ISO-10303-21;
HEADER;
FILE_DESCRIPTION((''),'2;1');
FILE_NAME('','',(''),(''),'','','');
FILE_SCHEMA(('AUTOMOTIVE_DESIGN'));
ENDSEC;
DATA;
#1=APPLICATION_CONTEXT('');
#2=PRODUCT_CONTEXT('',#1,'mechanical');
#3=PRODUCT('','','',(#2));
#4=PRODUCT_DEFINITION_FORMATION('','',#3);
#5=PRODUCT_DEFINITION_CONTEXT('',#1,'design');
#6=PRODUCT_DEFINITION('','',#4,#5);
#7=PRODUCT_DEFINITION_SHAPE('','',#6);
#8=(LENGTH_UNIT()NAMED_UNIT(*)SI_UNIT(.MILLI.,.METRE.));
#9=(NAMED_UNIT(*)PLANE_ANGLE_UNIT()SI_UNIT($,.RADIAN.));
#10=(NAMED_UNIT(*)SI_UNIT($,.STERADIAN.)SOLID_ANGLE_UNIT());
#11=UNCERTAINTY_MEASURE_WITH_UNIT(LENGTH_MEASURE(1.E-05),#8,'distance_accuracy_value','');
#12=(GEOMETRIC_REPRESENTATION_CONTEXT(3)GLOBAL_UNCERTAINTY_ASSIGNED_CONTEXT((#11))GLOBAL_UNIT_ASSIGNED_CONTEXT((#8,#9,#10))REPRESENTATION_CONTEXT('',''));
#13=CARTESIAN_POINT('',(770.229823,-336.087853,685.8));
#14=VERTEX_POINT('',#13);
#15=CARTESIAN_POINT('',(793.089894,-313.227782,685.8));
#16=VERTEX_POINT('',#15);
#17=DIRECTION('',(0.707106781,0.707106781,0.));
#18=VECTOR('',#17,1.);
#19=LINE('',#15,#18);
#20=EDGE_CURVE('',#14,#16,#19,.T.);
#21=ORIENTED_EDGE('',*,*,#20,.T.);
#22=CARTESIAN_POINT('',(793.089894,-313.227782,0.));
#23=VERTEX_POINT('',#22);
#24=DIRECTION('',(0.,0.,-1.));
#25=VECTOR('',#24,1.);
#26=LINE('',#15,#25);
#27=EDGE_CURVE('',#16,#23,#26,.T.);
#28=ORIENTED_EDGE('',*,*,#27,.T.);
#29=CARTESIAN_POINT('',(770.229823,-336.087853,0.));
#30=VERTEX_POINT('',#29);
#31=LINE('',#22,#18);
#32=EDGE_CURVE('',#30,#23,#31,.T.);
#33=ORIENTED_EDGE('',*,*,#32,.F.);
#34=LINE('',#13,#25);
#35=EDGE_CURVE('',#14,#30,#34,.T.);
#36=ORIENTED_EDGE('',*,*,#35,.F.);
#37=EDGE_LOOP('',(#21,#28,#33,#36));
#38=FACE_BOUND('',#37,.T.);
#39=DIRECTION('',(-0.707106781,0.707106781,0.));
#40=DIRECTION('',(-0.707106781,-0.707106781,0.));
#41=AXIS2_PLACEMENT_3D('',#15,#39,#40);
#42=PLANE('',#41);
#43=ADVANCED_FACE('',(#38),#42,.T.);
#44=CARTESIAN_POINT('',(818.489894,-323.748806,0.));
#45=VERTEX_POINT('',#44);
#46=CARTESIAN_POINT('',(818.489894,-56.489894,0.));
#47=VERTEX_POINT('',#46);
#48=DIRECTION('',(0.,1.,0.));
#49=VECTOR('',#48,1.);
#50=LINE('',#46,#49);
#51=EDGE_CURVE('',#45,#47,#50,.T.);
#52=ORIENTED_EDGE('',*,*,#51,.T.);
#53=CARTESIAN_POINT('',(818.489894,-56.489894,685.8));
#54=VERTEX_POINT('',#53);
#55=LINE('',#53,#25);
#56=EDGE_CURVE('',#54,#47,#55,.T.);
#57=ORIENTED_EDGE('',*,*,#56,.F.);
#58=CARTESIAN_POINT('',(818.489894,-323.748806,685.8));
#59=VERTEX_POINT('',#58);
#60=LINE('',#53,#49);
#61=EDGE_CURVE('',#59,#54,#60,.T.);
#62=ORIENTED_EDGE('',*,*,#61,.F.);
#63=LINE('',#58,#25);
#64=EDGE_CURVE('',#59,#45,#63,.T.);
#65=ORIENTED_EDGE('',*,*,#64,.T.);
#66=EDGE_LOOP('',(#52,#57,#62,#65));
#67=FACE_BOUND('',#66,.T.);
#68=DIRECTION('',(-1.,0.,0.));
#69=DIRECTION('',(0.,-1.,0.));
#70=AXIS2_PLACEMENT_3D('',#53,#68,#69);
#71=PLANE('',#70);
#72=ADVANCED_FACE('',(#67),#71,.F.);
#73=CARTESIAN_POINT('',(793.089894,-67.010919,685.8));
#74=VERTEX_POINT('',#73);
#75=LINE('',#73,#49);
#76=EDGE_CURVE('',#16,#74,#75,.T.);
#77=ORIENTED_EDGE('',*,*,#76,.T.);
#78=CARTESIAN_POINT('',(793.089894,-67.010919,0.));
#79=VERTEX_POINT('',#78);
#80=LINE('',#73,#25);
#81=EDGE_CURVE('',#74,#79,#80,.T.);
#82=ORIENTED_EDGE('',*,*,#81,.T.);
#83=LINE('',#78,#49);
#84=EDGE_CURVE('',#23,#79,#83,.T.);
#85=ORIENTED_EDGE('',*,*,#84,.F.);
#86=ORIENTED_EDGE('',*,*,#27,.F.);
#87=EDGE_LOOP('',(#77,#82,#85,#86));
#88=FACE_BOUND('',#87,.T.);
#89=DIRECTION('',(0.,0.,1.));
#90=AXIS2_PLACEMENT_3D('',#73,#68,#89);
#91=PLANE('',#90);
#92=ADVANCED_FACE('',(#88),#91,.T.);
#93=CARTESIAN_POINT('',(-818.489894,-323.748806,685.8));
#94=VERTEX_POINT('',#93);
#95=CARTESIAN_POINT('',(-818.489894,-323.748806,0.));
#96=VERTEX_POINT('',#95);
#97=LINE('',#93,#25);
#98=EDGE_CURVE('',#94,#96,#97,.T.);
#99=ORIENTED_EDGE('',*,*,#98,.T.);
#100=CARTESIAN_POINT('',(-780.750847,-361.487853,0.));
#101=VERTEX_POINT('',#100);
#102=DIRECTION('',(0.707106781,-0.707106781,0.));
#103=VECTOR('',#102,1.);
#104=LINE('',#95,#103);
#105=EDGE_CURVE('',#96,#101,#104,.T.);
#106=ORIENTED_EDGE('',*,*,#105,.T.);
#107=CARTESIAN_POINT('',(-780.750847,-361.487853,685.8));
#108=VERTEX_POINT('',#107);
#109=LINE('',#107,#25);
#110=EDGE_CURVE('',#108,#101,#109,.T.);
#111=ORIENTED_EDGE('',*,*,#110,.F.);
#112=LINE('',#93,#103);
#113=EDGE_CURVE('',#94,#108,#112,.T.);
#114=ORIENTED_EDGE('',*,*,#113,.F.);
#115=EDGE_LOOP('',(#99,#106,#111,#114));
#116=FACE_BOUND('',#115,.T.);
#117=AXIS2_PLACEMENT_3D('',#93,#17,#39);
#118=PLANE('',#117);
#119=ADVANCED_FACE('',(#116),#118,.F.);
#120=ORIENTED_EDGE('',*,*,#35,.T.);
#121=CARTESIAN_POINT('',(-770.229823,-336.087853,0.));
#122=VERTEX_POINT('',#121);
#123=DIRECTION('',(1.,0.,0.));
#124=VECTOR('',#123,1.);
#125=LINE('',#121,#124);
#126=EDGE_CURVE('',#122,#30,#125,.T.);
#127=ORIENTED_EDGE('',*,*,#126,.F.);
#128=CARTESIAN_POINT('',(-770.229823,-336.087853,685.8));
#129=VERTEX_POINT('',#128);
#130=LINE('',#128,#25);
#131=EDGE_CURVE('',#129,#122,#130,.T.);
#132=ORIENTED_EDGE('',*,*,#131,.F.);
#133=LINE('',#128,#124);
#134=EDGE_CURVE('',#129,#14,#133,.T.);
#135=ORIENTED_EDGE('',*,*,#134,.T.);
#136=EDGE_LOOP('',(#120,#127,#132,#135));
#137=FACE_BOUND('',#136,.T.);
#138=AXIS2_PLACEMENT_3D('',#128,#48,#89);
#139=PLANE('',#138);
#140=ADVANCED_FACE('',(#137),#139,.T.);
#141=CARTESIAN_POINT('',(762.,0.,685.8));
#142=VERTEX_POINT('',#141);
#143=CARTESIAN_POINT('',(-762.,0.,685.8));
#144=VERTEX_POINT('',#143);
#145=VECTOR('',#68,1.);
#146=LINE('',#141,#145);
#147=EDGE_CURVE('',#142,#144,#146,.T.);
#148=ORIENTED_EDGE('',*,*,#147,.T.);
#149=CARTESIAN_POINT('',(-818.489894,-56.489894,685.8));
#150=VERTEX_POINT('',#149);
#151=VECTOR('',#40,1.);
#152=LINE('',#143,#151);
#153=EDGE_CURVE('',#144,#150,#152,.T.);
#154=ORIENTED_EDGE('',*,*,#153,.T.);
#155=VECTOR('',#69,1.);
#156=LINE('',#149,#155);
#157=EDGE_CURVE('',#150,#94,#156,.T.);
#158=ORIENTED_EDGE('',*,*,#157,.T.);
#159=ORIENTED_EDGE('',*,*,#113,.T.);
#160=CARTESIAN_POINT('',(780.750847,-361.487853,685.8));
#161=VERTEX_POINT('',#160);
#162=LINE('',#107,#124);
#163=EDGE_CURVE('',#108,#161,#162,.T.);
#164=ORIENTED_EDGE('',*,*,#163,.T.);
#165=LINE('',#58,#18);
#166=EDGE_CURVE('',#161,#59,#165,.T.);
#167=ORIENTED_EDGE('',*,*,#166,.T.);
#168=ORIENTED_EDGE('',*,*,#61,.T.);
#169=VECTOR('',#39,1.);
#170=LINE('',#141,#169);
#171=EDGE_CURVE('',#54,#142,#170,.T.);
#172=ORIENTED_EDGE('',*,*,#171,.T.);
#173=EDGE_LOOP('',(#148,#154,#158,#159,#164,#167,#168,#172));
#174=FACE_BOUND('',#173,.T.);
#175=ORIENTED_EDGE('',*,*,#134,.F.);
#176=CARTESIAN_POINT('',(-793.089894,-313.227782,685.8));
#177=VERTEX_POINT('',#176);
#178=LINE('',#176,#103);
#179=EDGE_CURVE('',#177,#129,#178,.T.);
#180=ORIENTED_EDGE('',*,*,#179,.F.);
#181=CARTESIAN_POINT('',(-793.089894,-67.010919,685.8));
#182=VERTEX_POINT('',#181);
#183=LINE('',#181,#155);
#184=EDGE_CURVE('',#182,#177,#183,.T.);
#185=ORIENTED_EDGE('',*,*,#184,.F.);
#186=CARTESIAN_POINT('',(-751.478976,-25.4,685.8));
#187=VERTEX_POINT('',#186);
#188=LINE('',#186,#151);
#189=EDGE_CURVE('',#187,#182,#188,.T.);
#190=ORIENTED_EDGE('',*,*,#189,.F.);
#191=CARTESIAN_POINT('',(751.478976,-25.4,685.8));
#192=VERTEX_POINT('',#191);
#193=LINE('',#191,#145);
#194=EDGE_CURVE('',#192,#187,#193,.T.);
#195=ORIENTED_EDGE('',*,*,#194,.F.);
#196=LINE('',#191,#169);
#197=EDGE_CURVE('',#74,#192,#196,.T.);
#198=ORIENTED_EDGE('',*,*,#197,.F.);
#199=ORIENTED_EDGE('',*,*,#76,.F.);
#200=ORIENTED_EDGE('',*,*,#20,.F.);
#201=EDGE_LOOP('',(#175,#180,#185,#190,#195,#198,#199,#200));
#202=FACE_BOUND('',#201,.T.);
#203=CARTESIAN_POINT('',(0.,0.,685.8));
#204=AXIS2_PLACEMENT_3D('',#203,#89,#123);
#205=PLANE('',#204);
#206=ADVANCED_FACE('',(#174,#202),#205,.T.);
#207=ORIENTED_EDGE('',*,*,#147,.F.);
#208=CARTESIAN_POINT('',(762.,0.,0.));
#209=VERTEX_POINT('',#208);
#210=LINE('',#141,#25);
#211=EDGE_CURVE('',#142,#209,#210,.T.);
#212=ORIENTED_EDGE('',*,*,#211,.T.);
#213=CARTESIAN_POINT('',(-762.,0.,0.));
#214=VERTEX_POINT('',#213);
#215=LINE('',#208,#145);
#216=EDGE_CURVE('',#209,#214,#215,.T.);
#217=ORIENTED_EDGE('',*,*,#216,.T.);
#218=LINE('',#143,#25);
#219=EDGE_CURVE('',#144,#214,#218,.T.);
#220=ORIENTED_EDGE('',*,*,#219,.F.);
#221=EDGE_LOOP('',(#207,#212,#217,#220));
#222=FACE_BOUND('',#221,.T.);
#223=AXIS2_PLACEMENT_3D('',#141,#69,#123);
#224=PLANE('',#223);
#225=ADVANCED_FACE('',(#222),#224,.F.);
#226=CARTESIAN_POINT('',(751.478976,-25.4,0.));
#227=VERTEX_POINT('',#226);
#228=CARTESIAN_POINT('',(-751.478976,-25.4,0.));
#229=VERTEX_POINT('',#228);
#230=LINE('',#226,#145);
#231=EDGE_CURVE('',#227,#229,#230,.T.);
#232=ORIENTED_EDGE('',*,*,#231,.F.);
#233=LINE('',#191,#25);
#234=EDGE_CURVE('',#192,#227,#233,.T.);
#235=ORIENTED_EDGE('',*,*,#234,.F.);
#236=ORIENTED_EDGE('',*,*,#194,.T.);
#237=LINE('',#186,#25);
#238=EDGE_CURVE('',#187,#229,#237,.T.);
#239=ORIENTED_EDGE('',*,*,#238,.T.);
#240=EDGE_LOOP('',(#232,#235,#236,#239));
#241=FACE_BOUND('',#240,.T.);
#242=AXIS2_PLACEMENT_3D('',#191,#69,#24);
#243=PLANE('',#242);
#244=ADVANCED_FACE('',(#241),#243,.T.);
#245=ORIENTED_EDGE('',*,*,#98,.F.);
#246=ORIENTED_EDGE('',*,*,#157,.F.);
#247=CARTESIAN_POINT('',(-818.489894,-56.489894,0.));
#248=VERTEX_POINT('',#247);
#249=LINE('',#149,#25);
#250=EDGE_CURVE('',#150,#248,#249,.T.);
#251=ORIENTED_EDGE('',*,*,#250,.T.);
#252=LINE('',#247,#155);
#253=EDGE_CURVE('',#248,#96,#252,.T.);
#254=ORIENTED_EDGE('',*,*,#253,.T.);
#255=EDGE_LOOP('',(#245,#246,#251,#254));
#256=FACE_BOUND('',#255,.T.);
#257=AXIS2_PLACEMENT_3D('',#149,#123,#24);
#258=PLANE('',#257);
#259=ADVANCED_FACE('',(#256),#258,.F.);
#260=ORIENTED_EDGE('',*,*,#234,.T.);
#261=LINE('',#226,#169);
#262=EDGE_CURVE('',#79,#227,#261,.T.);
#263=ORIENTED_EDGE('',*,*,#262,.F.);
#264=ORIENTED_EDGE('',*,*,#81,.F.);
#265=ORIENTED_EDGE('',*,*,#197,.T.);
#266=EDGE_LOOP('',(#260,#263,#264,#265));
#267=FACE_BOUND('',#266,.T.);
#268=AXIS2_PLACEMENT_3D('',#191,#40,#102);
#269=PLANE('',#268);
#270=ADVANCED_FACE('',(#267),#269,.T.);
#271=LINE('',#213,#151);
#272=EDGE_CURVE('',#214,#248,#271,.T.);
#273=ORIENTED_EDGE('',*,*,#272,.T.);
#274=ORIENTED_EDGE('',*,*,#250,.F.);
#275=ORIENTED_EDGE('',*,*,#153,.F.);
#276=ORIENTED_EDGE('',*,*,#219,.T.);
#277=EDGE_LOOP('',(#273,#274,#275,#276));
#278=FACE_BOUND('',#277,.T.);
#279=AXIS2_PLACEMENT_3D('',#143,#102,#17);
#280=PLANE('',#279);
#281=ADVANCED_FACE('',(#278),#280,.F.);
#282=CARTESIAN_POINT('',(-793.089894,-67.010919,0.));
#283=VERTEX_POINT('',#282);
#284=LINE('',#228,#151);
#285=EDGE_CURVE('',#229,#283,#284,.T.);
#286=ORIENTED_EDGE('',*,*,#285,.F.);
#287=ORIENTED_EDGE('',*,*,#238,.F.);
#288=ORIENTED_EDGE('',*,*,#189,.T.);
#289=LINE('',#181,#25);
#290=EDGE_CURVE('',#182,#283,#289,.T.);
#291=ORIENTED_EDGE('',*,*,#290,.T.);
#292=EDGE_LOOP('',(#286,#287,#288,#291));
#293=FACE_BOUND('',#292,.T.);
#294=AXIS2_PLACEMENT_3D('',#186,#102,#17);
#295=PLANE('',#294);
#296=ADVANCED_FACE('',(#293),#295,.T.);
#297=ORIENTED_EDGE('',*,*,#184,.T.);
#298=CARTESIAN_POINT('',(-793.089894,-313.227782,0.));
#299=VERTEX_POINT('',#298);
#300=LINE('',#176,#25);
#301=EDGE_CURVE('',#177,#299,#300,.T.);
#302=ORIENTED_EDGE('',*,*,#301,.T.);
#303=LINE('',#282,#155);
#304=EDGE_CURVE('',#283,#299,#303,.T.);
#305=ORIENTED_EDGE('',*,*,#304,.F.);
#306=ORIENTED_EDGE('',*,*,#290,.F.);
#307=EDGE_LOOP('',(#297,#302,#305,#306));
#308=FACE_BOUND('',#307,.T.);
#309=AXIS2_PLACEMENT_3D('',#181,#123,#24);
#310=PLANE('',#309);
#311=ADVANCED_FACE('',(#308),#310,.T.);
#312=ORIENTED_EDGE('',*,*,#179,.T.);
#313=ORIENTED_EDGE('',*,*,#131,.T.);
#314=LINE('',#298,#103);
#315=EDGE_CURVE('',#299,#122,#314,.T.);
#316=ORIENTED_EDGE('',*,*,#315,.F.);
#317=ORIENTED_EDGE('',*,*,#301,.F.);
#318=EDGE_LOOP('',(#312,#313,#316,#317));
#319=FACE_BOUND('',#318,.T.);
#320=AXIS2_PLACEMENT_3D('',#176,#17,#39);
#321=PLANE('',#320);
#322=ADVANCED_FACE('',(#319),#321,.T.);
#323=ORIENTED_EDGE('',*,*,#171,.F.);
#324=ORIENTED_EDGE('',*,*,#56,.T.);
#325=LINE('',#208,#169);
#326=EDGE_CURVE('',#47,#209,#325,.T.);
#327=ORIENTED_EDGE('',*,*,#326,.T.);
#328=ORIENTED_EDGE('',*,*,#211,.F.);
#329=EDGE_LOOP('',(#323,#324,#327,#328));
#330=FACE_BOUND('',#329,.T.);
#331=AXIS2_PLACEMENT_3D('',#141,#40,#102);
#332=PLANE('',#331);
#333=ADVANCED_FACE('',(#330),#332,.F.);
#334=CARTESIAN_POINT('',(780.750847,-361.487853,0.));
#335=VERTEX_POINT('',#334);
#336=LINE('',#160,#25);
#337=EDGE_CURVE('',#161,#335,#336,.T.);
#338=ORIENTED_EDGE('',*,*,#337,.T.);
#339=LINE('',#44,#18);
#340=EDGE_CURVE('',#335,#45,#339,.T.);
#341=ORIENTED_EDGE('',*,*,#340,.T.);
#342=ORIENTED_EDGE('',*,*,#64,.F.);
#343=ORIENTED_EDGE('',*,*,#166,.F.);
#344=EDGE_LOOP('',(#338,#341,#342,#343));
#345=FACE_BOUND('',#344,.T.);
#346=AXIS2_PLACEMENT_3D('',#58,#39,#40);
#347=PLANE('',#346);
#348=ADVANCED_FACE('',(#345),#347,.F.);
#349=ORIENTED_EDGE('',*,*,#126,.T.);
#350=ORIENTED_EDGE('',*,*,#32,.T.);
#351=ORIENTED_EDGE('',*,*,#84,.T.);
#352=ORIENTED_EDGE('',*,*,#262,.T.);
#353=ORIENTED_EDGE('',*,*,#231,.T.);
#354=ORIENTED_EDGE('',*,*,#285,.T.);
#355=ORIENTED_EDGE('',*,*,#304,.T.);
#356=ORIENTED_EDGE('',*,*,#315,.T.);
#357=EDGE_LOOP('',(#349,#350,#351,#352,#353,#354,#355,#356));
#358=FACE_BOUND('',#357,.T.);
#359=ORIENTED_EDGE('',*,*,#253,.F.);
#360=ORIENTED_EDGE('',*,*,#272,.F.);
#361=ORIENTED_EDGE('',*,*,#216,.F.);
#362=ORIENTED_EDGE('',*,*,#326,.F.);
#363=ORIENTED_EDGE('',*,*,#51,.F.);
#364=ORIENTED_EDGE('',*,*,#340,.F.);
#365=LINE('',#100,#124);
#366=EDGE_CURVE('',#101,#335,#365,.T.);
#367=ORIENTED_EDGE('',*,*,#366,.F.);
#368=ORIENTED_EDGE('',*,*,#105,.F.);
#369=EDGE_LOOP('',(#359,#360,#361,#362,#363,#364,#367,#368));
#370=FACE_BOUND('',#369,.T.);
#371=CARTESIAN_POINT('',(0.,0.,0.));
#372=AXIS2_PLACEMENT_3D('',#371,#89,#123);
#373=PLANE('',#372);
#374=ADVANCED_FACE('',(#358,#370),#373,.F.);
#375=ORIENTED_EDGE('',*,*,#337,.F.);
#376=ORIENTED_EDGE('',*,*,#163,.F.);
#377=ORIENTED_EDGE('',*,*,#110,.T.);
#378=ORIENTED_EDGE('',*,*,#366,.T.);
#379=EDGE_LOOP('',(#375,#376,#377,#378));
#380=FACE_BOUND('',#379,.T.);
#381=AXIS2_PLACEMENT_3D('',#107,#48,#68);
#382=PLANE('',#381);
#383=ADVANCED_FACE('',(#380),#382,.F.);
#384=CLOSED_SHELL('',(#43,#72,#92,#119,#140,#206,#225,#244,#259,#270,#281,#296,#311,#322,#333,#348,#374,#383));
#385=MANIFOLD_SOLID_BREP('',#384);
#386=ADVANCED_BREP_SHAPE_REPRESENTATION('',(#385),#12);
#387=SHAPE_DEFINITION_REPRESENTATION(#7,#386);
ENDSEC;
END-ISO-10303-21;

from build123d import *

# Parameters (mm, degrees)
BOSS_EXTRUDE1_DEPTH = 685.8


with BuildPart() as part:
    # Sketch1 → Boss-Extrude1 (new body)
    with BuildSketch(Plane.XY):
        Polygon((762, 0), (-762, 0), (-818.489894307, -56.489894307), (-818.489894307, -323.748806026), (-780.75084727, -361.487853063), (780.75084727, -361.487853063), (818.489894307, -323.748806026), (818.489894307, -56.489894307), align=None)
        Polygon((751.478975516, -25.4), (-751.478975516, -25.4), (-793.089894307, -67.010918791), (-793.089894307, -313.227781542), (-770.229822786, -336.087853063), (770.229822786, -336.087853063), (793.089894307, -313.227781542), (793.089894307, -67.010918791), align=None, mode=Mode.SUBTRACT)
    extrude(amount=BOSS_EXTRUDE1_DEPTH)


solid = part.part
